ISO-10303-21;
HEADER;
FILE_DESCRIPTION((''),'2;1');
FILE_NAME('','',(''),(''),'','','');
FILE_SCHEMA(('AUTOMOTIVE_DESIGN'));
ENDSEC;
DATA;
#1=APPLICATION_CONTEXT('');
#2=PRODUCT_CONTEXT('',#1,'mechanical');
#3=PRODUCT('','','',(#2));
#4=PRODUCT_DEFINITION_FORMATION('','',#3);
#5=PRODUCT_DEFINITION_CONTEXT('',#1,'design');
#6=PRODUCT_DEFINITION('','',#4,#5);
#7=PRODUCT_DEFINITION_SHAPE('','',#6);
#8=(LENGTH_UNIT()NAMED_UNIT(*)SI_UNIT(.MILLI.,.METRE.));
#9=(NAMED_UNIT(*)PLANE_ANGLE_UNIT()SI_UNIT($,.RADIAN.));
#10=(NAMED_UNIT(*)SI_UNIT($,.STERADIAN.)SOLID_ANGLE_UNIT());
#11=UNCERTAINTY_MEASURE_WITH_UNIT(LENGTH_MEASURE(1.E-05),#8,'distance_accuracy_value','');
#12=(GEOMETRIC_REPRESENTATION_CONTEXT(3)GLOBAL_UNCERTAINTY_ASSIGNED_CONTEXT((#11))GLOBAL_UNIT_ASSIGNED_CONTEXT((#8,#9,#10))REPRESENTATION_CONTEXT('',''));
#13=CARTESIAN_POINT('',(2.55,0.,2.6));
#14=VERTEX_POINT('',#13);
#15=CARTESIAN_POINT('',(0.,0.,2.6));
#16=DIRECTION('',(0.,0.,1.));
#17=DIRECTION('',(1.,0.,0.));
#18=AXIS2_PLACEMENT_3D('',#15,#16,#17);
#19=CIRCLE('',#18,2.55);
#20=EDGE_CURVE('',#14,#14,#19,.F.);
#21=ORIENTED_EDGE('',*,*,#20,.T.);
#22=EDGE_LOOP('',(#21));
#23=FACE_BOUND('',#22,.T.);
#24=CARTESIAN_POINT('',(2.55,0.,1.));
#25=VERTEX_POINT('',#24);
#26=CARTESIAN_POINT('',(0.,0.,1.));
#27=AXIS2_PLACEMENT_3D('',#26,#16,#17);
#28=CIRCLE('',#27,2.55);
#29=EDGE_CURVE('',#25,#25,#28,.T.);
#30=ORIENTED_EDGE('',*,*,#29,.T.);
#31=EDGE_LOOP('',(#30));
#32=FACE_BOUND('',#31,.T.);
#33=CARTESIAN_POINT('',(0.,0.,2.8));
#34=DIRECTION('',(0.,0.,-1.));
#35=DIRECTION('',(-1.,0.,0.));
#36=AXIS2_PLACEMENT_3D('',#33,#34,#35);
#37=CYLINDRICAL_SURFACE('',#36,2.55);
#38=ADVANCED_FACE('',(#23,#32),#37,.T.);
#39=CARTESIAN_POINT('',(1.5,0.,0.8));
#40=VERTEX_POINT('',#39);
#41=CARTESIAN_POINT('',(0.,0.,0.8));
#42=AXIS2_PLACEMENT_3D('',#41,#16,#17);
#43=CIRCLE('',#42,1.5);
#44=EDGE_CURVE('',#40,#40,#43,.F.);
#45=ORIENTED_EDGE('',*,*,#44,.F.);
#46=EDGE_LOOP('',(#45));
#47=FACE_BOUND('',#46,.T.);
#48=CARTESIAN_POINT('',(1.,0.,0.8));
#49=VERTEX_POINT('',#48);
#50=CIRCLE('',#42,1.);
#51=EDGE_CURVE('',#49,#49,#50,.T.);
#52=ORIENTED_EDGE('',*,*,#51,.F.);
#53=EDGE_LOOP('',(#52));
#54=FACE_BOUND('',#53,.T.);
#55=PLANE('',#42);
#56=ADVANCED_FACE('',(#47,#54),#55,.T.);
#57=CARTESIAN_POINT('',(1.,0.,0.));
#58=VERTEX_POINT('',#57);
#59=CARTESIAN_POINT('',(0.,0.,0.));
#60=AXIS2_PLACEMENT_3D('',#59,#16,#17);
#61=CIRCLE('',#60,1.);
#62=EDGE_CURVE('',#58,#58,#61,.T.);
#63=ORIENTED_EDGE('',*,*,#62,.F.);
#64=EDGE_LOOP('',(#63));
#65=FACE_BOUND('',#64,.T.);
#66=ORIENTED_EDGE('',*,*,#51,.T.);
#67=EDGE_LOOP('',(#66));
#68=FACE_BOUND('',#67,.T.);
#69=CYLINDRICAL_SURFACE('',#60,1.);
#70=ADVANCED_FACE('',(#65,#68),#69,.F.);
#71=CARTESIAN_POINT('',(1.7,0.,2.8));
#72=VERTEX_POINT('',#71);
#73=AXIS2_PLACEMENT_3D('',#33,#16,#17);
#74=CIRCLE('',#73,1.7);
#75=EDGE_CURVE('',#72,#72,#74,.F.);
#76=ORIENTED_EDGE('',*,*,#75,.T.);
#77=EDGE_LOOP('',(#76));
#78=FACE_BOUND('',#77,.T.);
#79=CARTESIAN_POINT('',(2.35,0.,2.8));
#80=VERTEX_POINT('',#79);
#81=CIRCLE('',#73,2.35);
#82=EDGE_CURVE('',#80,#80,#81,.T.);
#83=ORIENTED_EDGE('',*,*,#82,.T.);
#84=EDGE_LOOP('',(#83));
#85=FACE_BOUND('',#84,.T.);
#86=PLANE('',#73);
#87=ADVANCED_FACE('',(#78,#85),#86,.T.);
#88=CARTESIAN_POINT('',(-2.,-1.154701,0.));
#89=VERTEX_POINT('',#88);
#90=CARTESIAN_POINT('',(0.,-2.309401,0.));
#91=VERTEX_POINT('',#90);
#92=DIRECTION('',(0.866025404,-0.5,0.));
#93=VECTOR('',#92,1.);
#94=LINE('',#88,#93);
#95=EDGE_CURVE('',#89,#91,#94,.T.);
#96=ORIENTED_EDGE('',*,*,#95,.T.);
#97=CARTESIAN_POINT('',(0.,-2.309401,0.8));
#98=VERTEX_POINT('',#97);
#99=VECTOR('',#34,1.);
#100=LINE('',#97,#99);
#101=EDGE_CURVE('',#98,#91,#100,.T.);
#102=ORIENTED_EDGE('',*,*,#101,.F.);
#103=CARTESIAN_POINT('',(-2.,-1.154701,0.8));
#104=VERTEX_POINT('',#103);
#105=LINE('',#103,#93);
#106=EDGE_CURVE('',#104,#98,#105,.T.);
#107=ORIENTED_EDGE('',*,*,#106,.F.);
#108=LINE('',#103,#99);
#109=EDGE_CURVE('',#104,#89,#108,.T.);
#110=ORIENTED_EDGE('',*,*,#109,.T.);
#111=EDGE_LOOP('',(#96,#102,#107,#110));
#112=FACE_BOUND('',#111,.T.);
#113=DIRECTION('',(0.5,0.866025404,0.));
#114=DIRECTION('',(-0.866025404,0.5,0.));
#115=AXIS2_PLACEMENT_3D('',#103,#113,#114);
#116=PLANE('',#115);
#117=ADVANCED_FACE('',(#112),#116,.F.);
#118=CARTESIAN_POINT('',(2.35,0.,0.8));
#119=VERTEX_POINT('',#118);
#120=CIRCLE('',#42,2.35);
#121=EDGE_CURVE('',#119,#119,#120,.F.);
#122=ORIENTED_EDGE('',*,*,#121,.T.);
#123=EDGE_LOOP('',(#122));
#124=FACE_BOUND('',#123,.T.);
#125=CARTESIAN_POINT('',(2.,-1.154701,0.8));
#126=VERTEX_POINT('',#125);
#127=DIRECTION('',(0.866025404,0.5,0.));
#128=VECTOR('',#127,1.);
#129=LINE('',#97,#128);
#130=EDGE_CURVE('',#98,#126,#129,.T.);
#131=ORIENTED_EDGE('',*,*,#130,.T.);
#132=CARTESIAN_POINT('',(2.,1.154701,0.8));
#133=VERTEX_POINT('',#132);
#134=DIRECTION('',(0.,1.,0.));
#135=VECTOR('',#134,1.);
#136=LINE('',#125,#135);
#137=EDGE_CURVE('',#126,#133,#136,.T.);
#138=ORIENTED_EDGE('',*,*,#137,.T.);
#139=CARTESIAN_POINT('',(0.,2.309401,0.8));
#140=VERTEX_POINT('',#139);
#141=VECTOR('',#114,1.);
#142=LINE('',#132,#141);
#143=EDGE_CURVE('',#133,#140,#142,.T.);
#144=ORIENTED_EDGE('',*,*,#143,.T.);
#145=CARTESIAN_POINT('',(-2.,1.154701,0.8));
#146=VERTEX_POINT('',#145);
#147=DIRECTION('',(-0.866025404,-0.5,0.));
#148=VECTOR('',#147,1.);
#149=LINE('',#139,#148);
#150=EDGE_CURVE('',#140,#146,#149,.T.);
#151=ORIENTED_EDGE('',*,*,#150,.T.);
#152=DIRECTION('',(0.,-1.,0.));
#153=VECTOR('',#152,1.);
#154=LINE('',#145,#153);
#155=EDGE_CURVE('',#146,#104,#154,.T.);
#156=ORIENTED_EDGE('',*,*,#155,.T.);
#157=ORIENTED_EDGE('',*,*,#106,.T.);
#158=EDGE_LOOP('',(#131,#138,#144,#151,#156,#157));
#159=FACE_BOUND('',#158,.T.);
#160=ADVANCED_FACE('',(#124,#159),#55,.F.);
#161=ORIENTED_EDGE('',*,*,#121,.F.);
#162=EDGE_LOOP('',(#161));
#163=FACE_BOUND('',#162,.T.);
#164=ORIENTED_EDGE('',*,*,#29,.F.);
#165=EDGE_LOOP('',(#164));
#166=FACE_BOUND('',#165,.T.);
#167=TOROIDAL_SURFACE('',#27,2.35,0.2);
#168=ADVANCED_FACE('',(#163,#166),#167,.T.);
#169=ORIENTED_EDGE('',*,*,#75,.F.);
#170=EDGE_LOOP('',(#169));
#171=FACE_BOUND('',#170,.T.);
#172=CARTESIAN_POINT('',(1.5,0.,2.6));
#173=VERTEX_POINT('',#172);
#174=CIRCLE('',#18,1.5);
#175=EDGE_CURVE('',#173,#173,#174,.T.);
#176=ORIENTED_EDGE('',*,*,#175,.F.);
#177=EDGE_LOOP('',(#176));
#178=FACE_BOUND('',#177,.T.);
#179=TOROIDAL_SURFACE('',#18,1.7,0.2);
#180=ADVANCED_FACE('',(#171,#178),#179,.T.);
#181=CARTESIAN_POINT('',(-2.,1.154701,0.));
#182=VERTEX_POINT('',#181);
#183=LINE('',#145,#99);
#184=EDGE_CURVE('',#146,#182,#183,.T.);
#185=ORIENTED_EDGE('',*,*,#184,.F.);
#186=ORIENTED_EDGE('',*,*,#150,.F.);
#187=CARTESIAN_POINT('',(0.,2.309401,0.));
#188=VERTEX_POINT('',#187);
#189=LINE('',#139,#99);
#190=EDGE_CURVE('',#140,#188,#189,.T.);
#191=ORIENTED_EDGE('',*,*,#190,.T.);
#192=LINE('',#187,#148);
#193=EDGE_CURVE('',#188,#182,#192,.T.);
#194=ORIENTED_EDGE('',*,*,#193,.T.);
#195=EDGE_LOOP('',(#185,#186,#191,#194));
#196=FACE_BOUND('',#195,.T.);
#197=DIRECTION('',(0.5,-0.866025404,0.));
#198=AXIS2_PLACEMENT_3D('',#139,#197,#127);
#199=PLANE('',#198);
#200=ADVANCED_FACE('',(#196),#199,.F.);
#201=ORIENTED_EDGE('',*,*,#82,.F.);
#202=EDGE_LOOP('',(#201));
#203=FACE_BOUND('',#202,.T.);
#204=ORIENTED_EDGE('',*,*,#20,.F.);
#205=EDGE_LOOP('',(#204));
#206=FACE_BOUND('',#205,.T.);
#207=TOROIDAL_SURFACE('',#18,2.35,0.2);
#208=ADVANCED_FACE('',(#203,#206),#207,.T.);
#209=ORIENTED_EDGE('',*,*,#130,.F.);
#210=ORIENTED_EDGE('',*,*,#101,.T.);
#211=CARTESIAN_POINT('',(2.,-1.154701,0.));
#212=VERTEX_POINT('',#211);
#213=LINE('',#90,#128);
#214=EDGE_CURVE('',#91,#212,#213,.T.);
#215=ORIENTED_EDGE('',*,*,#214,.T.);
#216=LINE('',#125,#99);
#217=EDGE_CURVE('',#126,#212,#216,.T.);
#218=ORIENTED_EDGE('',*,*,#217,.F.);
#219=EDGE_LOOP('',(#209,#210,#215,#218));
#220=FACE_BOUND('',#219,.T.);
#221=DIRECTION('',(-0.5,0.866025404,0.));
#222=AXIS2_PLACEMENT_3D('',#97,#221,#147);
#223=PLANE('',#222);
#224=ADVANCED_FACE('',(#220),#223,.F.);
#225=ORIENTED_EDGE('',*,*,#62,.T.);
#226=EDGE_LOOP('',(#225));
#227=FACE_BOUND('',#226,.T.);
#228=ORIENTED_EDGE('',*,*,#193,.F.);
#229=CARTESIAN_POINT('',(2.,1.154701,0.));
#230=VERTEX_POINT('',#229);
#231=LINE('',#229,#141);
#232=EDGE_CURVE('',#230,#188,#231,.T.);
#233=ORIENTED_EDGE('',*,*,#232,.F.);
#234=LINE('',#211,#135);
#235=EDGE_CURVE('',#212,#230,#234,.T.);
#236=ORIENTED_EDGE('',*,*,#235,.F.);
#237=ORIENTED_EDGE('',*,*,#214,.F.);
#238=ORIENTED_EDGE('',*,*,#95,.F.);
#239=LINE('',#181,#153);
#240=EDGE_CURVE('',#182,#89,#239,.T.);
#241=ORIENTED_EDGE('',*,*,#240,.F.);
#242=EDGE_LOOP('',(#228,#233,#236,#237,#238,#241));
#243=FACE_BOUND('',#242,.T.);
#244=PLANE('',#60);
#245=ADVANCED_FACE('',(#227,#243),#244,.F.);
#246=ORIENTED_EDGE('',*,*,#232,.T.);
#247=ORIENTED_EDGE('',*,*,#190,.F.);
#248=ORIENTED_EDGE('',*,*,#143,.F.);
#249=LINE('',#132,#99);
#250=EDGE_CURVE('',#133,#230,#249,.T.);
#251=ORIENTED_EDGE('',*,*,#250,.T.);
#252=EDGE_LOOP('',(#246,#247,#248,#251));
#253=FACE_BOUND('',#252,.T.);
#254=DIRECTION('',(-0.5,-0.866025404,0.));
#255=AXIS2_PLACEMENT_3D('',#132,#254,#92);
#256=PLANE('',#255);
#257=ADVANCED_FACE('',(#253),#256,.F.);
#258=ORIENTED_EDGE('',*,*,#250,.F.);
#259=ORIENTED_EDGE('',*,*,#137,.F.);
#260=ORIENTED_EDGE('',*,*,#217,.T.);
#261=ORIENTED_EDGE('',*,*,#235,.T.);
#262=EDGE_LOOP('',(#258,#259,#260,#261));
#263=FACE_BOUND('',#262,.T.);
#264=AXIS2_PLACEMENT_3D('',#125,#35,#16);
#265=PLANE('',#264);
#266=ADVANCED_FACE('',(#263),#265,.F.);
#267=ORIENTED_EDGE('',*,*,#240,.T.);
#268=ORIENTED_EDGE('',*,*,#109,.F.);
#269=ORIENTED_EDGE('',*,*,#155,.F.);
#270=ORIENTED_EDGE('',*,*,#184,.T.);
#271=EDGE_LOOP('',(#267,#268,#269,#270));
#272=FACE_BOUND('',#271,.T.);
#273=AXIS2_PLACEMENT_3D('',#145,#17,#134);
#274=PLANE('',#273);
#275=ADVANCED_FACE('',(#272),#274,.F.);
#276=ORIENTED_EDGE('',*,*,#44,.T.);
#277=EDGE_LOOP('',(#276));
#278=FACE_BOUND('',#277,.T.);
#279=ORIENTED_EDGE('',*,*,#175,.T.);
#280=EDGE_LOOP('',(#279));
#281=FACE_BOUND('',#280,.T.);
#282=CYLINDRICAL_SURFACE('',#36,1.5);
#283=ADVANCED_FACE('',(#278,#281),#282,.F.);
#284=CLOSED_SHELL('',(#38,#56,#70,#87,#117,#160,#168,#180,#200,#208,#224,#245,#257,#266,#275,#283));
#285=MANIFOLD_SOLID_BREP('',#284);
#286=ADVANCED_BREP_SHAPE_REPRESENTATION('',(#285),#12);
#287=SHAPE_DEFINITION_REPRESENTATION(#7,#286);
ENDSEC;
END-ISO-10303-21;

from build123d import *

# Parameters (mm, degrees)
EXTRUDE_1_DEPTH     = 0.8
SKETCH_2_R          = 2.55
SKETCH_2_R_2        = 1.5
EXTRUDE_2_DEPTH     = 2
SKETCH_3_R          = 1
CUT_EXTRUDE_1_DEPTH = 5.12371192
FILLET_1_R          = 0.2


with BuildPart() as part:
    # 草图1 → 凸台-拉伸1 (new body)
    with BuildSketch(Plane.XY):
        Polygon((0, -2.309401077), (2, -1.154700538), (2, 1.154700538), (0, 2.309401077), (-2, 1.154700538), (-2, -1.154700538), align=None)
    extrude(amount=EXTRUDE_1_DEPTH)

    # 草图2 → 凸台-拉伸2 (add)
    with BuildSketch(Plane.XY.offset(0.8)):
        Circle(SKETCH_2_R)
        Circle(SKETCH_2_R_2, mode=Mode.SUBTRACT)
    extrude(amount=EXTRUDE_2_DEPTH)

    # 草图3 → 切除-拉伸1 (cut, through all)
    with BuildSketch(Plane.XY.offset(0.8)):
        Circle(SKETCH_3_R)
    extrude(amount=-CUT_EXTRUDE_1_DEPTH, mode=Mode.SUBTRACT)

    # 圆角1
    fillet_1_edges = [part.edges().sort_by_distance(p)[0] for p in [
        (-2.55, 0, 2.8),
        (-2.55, 0, 0.8),
        (-1.5, 0, 2.8),
    ]]
    fillet(fillet_1_edges, radius=FILLET_1_R)


solid = part.part
